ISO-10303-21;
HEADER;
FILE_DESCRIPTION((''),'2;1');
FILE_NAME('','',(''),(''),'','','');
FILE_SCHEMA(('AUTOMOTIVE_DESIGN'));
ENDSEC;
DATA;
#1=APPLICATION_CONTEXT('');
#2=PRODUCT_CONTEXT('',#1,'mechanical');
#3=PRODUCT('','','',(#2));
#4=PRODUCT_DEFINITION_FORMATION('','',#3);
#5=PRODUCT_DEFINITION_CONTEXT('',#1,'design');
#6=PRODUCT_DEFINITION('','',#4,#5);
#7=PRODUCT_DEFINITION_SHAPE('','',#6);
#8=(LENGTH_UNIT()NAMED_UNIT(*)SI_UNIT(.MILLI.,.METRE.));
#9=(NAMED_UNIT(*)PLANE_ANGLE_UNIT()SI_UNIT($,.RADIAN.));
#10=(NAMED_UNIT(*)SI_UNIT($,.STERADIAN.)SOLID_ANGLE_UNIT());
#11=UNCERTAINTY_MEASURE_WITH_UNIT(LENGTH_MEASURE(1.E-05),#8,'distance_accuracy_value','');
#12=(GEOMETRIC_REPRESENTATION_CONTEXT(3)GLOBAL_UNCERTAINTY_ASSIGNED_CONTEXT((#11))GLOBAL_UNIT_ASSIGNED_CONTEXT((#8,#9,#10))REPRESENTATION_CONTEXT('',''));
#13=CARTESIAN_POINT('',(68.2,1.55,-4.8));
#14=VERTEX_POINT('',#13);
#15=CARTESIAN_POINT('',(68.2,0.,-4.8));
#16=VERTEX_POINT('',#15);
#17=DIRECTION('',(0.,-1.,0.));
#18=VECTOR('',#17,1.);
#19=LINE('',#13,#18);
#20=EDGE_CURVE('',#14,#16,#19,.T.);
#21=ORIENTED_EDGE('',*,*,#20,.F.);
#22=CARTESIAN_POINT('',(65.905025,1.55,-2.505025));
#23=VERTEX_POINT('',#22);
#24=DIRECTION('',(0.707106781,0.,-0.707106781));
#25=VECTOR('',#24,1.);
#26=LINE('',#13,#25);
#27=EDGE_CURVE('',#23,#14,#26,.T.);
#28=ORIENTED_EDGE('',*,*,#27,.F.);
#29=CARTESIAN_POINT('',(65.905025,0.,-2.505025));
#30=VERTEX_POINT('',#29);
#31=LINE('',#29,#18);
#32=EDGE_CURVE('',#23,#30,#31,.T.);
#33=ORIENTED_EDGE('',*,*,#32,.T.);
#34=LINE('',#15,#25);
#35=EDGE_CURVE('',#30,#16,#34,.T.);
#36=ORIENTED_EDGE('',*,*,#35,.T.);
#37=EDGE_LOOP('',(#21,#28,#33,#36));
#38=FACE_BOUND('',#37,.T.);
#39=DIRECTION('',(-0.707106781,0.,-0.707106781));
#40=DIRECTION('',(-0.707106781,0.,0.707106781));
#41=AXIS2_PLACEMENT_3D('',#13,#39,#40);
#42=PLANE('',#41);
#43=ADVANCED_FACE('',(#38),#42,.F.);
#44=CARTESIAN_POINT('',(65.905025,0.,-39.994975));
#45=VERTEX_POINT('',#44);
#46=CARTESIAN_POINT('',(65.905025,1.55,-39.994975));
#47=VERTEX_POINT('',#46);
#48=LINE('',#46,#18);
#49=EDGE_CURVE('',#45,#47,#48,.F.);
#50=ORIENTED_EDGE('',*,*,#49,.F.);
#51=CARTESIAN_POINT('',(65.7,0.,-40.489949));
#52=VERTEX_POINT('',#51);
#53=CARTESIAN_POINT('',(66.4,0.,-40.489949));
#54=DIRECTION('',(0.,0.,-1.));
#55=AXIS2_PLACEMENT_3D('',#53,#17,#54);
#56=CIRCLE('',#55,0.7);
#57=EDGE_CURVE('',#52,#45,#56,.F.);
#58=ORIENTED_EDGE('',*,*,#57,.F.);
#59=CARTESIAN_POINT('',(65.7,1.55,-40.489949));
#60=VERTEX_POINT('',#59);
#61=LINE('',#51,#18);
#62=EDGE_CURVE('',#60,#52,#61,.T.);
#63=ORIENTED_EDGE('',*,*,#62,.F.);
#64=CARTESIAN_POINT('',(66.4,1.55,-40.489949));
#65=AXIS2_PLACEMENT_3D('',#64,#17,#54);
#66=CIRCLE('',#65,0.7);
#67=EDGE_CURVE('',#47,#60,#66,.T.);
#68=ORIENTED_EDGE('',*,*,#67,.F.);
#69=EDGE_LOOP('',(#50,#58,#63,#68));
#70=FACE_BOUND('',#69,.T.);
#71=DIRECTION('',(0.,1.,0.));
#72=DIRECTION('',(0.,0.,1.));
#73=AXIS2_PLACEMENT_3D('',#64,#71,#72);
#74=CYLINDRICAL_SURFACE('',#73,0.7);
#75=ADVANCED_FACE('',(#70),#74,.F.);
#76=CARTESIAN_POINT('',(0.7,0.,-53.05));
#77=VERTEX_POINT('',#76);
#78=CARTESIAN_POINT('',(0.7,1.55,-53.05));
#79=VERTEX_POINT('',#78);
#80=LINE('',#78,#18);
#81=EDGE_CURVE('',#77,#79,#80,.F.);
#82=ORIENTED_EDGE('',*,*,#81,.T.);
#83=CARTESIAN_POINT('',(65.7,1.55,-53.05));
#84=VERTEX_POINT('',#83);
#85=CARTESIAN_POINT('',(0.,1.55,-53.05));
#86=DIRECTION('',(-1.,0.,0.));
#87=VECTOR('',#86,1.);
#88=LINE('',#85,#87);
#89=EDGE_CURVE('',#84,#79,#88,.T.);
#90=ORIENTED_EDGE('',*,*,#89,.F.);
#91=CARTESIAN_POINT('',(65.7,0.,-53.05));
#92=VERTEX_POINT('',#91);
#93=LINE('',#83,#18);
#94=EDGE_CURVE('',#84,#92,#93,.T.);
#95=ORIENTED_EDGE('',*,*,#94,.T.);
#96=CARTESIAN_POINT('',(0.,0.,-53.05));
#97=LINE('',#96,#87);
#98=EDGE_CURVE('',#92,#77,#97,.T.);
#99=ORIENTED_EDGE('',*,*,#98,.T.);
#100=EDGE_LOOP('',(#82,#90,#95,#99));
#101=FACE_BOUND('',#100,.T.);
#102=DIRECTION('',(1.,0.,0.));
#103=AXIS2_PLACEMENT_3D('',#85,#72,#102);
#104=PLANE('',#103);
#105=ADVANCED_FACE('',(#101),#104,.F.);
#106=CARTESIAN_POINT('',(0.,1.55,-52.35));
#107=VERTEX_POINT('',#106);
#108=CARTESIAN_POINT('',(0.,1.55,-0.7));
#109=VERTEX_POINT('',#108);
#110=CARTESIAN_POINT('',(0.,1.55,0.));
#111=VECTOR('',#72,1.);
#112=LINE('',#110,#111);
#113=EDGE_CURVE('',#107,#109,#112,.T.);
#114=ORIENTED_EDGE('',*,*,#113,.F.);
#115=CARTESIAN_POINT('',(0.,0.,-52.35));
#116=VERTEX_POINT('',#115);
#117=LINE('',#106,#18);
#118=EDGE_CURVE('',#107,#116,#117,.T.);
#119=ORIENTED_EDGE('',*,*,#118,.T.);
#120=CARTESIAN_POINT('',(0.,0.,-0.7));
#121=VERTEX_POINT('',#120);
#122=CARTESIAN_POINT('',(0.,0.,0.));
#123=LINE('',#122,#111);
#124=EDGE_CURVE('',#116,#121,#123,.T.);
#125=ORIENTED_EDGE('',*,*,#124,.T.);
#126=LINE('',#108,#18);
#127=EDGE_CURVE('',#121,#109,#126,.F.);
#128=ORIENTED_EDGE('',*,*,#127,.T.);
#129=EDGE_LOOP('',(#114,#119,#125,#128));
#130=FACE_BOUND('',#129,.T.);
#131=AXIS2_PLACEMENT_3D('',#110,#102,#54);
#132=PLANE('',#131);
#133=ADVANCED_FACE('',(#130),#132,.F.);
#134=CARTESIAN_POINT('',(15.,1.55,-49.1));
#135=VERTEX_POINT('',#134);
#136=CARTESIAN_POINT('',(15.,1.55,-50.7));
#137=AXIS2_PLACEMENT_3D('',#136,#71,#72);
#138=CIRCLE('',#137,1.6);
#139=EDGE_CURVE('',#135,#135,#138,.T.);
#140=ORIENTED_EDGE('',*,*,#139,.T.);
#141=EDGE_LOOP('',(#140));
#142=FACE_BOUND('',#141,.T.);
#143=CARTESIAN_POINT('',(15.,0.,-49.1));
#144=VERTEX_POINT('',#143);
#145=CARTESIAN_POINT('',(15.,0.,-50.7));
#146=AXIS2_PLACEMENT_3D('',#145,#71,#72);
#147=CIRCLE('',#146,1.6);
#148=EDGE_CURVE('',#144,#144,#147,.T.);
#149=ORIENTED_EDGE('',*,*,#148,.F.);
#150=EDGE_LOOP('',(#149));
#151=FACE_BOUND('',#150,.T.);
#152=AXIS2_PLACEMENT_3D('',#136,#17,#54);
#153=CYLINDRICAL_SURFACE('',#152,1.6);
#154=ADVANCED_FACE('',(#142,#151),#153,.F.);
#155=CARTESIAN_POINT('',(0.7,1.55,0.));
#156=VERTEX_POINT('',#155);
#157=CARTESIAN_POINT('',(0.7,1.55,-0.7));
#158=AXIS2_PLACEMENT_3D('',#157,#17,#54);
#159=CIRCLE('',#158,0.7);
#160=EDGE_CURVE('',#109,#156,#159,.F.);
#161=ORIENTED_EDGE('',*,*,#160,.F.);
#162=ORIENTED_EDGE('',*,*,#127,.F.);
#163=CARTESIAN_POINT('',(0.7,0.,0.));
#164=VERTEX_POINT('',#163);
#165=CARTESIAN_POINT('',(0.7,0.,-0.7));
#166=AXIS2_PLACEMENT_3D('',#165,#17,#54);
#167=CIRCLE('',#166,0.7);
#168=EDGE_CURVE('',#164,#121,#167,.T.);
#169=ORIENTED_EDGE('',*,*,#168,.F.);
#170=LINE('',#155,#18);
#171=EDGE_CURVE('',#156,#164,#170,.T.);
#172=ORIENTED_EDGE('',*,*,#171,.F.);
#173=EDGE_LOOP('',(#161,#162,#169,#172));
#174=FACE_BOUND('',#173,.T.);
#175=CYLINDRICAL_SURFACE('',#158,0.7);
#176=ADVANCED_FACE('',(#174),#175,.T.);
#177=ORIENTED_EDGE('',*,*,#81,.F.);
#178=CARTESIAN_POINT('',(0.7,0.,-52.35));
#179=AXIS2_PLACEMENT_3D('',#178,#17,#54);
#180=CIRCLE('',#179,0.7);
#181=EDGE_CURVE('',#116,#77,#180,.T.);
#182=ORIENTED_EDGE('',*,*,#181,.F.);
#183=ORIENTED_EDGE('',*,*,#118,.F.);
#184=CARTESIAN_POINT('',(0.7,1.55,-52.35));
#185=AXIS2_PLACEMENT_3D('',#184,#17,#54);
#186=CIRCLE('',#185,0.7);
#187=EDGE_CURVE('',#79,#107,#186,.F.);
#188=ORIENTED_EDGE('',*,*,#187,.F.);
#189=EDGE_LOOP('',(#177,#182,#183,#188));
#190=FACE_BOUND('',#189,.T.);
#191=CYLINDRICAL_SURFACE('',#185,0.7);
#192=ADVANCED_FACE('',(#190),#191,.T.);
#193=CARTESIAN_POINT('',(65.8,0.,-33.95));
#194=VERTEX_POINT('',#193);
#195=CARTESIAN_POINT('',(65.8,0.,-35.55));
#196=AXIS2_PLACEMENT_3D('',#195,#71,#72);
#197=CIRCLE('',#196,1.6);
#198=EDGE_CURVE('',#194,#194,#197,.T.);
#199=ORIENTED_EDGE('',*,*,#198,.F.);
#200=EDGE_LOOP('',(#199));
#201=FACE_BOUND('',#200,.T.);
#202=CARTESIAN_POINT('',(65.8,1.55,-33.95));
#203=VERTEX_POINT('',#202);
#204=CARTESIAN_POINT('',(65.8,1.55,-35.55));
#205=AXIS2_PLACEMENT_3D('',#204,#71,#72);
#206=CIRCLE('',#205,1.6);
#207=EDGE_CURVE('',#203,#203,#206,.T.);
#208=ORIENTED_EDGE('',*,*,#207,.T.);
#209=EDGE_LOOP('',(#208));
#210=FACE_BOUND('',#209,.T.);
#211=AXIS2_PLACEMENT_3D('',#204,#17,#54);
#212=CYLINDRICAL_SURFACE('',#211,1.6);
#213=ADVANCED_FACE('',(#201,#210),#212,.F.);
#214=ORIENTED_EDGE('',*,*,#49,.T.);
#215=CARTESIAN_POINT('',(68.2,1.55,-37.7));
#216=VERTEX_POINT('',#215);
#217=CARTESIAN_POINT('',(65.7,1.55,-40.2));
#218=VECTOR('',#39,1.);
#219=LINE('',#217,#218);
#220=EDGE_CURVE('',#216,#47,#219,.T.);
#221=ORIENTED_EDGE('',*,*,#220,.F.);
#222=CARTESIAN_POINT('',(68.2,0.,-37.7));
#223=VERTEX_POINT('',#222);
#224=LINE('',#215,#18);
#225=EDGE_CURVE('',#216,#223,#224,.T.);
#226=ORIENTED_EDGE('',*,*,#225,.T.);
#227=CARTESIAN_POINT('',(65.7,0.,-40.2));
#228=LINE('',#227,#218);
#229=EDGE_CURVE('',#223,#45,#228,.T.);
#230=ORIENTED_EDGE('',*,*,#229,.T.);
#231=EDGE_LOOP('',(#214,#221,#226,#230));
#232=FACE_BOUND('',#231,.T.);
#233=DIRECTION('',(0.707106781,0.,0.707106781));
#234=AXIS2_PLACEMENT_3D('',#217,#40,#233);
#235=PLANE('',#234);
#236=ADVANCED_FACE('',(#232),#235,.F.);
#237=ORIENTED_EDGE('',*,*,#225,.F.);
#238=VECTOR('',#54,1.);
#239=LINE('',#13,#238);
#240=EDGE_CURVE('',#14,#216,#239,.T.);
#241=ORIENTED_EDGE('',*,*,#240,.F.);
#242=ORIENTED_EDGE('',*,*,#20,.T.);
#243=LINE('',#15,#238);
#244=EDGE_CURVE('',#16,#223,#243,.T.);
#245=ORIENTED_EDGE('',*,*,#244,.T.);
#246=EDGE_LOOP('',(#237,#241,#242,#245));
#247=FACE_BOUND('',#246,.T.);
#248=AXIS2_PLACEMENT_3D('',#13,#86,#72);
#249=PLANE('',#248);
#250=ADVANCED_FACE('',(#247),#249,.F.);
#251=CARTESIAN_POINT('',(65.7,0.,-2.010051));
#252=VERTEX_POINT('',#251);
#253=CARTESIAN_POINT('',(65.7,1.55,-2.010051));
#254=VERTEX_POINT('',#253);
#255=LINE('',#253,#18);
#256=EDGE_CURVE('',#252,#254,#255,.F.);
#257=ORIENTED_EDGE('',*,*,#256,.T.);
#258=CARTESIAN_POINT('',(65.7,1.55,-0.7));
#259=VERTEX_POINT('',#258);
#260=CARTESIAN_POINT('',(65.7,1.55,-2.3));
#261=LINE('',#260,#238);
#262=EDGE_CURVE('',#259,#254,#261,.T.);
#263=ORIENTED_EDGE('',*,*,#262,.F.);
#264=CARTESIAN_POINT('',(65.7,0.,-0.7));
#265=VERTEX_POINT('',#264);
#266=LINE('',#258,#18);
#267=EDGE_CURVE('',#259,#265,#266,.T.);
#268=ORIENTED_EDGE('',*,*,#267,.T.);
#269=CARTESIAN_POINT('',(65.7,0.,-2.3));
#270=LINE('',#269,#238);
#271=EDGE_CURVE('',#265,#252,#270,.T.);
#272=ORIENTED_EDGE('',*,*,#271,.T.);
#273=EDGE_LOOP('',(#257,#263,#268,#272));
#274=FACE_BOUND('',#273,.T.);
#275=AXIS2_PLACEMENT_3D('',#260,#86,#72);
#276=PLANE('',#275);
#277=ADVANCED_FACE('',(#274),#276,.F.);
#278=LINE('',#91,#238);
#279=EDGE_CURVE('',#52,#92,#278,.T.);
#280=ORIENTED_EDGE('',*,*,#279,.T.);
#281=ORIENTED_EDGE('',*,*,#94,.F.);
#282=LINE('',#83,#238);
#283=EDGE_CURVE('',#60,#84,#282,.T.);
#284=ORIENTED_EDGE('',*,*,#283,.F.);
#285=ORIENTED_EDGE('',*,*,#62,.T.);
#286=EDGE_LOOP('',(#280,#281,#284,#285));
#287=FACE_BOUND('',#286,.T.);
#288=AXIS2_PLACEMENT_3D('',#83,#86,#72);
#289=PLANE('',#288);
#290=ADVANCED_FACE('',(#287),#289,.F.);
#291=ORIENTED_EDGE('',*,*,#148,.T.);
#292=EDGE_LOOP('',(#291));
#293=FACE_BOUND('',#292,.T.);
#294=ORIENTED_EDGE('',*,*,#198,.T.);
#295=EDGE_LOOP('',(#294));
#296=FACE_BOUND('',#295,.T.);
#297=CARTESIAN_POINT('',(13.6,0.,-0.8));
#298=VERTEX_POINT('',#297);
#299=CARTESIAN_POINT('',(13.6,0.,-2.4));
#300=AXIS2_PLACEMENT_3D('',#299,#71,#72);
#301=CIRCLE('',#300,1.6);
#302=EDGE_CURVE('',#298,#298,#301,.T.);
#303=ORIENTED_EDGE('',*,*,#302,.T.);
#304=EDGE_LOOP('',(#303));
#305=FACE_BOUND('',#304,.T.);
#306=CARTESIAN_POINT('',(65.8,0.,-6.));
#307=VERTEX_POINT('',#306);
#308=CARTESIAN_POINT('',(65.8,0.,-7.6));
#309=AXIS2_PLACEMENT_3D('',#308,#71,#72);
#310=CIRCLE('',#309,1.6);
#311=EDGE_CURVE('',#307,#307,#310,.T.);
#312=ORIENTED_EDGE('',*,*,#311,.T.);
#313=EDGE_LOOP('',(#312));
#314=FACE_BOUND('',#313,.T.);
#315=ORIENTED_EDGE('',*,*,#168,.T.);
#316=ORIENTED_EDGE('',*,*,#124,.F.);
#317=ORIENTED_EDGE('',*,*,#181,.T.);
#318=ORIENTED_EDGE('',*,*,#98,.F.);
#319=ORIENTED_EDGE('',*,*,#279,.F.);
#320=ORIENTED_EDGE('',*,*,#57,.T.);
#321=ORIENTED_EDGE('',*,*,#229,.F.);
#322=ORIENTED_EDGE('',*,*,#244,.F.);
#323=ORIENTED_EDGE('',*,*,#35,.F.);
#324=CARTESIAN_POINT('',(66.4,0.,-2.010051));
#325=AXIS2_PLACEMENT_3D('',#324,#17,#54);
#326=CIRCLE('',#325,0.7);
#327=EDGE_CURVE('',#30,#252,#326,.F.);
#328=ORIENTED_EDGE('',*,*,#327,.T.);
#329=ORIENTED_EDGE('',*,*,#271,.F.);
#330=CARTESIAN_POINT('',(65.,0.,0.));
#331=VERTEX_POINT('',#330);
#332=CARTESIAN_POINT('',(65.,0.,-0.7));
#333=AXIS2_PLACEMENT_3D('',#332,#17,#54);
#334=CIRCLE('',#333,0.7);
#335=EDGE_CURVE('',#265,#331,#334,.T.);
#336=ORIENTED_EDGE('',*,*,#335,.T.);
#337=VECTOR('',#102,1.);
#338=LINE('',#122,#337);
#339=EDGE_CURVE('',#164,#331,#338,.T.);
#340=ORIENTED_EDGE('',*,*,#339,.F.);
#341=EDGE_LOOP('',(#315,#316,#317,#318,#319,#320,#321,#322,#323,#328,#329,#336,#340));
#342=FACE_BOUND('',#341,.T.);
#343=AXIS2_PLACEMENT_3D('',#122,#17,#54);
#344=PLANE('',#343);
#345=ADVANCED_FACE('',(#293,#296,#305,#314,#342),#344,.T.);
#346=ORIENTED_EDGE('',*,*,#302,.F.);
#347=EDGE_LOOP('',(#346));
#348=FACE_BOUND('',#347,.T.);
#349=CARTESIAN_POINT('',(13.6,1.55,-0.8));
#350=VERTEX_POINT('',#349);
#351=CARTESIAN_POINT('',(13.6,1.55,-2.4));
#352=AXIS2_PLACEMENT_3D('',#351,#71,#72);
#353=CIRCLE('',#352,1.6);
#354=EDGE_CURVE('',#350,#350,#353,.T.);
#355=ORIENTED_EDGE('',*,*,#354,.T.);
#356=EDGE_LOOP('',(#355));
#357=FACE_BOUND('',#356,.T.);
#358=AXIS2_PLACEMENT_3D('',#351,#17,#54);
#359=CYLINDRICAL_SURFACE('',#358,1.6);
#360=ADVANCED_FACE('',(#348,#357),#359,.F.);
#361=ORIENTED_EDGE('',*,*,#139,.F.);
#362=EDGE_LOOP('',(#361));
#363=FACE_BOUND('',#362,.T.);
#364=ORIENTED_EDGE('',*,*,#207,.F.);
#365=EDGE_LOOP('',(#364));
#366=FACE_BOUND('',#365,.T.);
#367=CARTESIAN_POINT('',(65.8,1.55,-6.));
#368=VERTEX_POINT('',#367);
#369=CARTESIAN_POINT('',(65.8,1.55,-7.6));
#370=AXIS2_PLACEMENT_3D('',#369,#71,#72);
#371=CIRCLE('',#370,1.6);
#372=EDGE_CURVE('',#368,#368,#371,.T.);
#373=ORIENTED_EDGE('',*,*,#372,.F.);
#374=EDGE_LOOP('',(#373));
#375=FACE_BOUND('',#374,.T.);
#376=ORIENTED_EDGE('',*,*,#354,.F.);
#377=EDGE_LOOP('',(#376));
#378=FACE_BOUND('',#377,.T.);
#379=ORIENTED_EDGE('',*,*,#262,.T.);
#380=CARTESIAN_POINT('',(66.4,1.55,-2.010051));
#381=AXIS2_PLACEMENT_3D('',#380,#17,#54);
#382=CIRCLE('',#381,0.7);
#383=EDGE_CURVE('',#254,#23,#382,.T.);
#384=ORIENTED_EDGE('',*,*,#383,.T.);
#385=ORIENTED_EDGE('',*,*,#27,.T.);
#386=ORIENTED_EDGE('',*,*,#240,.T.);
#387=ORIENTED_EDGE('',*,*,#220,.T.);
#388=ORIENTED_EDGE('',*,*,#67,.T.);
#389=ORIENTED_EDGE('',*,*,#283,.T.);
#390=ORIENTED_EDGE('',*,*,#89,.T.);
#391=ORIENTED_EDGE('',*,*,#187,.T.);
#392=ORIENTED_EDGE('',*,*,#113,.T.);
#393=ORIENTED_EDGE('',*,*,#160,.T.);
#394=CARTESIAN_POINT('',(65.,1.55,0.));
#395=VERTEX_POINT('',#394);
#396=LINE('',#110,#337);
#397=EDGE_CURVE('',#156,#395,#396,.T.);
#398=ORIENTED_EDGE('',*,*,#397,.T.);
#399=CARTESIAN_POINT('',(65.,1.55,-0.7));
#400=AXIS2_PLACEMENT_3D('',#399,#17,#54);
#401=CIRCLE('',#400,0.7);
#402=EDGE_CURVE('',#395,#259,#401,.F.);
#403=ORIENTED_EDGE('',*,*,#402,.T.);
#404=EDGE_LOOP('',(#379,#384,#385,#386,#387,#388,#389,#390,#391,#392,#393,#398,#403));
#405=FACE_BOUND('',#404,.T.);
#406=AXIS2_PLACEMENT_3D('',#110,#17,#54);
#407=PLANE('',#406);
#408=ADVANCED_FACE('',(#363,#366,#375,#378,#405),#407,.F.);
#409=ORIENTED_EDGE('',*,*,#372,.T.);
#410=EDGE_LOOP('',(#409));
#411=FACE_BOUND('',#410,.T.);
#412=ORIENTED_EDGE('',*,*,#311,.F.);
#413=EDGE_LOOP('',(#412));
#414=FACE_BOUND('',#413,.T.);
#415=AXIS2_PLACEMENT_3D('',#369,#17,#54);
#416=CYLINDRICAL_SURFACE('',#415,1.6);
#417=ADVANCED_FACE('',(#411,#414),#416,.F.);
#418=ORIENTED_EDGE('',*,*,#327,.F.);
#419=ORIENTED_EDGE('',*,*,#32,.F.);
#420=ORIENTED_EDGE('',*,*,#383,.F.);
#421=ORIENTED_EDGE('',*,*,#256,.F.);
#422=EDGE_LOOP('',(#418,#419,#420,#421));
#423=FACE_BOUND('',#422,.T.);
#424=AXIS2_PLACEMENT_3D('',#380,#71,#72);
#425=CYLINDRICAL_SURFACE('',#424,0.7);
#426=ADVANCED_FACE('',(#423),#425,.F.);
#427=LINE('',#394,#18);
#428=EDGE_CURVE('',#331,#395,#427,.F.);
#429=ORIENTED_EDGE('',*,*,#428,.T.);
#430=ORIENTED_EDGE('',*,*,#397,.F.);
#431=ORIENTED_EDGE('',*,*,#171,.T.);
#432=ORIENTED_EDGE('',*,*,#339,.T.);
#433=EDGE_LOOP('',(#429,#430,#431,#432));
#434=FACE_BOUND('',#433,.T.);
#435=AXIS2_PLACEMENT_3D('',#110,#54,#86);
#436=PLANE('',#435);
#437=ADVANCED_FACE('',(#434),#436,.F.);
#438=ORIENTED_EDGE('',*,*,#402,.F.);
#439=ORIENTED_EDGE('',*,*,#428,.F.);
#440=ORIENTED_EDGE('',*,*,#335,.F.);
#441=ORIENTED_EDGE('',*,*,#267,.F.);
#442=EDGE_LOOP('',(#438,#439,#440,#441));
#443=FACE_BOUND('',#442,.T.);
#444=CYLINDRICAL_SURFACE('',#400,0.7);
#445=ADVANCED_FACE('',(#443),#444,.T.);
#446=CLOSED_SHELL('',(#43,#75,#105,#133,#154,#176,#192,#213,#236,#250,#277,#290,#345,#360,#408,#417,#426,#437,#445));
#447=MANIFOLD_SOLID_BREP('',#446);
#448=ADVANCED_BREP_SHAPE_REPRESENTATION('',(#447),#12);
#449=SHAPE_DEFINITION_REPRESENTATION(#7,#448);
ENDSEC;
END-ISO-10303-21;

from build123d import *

# Parameters (mm, degrees)
ESQUISSE1_R        = 1.6
BOSS_EXTRU_1_DEPTH = 1.55
CONG_1_R           = 0.7


with BuildPart() as part:
    # Esquisse1 → Boss.-Extru.1 (new body)
    with BuildSketch(Plane(origin=(0, 0, 0), x_dir=(1, 0, 0), z_dir=(0, 1, 0))):
        Polygon((65.7, 53.05), (65.7, 40.2), (68.2, 37.7), (68.2, 4.8), (65.7, 2.3), (65.7, 0), (0, 0), (0, 53.05), align=None)
        with Locations((15, 50.7)):
            Circle(ESQUISSE1_R, mode=Mode.SUBTRACT)
        with Locations((13.6, 2.4)):
            Circle(ESQUISSE1_R, mode=Mode.SUBTRACT)
        with Locations((65.8, 7.6)):
            Circle(ESQUISSE1_R, mode=Mode.SUBTRACT)
        with Locations((65.8, 35.55)):
            Circle(ESQUISSE1_R, mode=Mode.SUBTRACT)
    extrude(amount=BOSS_EXTRU_1_DEPTH)

    # Congé1
    cong_1_edges = [part.edges().sort_by_distance(p)[0] for p in [
        (0, 0.775, -53.05),
        (65.7, 0.775, -40.2),
        (65.7, 0.775, -2.3),
        (65.7, 0.775, 0),
        (0, 0.775, 0),
    ]]
    fillet(cong_1_edges, radius=CONG_1_R)


solid = part.part
